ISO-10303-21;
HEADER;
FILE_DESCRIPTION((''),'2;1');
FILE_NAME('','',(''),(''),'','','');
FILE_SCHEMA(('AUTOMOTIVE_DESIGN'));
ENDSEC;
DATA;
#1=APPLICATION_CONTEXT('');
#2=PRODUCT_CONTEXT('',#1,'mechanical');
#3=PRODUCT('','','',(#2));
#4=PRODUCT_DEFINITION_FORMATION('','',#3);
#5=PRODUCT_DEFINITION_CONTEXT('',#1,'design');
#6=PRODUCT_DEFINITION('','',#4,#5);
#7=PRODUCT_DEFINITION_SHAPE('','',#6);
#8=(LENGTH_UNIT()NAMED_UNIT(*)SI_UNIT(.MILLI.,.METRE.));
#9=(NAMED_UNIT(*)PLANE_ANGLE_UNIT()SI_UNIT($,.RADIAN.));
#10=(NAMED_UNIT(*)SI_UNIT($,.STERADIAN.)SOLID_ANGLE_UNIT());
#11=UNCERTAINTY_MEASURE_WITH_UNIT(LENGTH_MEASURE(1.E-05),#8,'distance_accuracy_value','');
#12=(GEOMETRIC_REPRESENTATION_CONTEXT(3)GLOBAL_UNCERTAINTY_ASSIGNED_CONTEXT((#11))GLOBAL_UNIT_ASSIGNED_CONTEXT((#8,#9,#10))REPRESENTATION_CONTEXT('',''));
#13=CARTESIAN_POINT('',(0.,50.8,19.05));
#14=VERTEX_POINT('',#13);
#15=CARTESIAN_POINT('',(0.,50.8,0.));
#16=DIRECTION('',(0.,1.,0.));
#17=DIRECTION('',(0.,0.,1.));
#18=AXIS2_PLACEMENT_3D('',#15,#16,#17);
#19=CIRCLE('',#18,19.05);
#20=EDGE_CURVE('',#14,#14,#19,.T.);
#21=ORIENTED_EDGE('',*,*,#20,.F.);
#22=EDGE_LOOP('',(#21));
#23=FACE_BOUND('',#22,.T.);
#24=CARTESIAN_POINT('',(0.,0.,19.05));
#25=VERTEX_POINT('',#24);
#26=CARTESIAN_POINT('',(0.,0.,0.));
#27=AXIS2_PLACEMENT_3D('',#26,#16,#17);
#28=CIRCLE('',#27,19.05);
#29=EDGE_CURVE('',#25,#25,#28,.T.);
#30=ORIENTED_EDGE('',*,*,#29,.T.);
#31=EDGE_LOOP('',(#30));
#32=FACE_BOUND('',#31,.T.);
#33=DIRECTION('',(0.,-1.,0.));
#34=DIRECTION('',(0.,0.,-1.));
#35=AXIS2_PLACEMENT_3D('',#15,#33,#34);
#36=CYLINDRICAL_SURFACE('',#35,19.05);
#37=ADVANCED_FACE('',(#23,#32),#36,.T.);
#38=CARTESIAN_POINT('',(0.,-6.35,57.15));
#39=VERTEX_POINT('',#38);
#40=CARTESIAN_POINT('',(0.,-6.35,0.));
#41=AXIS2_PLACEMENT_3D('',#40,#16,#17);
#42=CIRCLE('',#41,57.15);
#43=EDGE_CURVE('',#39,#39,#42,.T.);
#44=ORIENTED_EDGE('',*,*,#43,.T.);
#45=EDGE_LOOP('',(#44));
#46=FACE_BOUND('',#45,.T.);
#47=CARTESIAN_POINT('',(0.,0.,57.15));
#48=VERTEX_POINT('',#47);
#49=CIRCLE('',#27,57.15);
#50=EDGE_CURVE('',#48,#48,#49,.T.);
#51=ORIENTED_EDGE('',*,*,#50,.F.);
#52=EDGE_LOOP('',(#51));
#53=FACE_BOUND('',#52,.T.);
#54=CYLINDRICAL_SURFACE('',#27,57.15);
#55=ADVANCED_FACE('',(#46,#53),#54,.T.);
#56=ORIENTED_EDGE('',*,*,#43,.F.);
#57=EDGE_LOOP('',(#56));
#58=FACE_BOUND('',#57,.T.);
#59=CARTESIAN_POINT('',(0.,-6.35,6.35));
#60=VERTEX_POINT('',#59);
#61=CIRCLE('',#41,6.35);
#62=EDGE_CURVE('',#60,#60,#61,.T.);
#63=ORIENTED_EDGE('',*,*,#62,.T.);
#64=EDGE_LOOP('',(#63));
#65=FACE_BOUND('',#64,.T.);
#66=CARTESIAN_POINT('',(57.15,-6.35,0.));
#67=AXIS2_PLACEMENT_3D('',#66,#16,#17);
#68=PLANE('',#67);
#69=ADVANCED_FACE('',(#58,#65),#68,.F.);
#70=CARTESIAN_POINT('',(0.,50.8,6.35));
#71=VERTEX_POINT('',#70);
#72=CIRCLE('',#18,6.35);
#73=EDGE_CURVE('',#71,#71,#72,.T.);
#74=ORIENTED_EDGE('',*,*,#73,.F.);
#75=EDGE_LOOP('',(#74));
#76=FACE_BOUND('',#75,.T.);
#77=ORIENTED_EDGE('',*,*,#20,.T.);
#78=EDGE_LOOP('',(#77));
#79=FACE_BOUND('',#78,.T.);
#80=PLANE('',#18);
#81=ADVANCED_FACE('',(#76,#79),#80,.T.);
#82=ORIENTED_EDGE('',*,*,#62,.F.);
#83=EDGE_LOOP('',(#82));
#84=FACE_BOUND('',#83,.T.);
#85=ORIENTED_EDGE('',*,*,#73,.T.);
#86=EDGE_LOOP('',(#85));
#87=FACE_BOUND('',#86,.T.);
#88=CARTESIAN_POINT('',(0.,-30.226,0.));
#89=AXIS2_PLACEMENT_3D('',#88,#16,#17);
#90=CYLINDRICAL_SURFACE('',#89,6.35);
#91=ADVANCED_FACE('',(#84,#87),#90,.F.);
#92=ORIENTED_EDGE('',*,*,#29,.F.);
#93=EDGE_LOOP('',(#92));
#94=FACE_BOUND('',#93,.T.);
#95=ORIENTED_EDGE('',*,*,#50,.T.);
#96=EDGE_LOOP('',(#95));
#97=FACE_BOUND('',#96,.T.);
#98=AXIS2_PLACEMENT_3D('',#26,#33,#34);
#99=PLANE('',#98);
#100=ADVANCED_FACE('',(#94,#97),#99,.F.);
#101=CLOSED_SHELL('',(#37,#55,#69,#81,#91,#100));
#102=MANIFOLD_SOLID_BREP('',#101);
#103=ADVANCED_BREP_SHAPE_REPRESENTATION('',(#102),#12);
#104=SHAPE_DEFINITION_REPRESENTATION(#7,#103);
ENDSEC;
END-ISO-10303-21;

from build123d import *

# Parameters (mm, degrees)
SKETCH2_W           = 57.15
SKETCH2_H           = 6.35
SKETCH3_R           = 19.05
BOSS_EXTRUDE1_DEPTH = 50.8
SKETCH4_R           = 6.35
CUT_EXTRUDE1_DEPTH  = 81.026


with BuildPart() as part:
    # Sketch2 → Revolve1 (revolve)
    with BuildSketch(Plane.XY, mode=Mode.PRIVATE) as revolve1_sk:
        with Locations((28.575, -3.175)):
            Rectangle(SKETCH2_W, SKETCH2_H)
    revolve(revolve1_sk.sketch.rotate(Axis((0, 0, 0), (0, -1, 0)), 90), axis=Axis((0, 0, 0), (0, -1, 0)))

    # Sketch3 → Boss-Extrude1 (add)
    with BuildSketch(Plane(origin=(0, 0, 0), x_dir=(1, 0, 0), z_dir=(0, 1, 0))):
        with Locations(Location((0, 0, 0), (0, 0, 270))):
            Circle(SKETCH3_R)
    extrude(amount=BOSS_EXTRUDE1_DEPTH)

    # Sketch4 → Cut-Extrude1 (cut)
    with BuildSketch(Plane(origin=(0, 50.8, 0), x_dir=(1, 0, 0), z_dir=(0, 1, 0))):
        with Locations(Location((0, 0, 0), (0, 0, 270))):
            Circle(SKETCH4_R)
    extrude(amount=-CUT_EXTRUDE1_DEPTH, mode=Mode.SUBTRACT)


solid = part.part
